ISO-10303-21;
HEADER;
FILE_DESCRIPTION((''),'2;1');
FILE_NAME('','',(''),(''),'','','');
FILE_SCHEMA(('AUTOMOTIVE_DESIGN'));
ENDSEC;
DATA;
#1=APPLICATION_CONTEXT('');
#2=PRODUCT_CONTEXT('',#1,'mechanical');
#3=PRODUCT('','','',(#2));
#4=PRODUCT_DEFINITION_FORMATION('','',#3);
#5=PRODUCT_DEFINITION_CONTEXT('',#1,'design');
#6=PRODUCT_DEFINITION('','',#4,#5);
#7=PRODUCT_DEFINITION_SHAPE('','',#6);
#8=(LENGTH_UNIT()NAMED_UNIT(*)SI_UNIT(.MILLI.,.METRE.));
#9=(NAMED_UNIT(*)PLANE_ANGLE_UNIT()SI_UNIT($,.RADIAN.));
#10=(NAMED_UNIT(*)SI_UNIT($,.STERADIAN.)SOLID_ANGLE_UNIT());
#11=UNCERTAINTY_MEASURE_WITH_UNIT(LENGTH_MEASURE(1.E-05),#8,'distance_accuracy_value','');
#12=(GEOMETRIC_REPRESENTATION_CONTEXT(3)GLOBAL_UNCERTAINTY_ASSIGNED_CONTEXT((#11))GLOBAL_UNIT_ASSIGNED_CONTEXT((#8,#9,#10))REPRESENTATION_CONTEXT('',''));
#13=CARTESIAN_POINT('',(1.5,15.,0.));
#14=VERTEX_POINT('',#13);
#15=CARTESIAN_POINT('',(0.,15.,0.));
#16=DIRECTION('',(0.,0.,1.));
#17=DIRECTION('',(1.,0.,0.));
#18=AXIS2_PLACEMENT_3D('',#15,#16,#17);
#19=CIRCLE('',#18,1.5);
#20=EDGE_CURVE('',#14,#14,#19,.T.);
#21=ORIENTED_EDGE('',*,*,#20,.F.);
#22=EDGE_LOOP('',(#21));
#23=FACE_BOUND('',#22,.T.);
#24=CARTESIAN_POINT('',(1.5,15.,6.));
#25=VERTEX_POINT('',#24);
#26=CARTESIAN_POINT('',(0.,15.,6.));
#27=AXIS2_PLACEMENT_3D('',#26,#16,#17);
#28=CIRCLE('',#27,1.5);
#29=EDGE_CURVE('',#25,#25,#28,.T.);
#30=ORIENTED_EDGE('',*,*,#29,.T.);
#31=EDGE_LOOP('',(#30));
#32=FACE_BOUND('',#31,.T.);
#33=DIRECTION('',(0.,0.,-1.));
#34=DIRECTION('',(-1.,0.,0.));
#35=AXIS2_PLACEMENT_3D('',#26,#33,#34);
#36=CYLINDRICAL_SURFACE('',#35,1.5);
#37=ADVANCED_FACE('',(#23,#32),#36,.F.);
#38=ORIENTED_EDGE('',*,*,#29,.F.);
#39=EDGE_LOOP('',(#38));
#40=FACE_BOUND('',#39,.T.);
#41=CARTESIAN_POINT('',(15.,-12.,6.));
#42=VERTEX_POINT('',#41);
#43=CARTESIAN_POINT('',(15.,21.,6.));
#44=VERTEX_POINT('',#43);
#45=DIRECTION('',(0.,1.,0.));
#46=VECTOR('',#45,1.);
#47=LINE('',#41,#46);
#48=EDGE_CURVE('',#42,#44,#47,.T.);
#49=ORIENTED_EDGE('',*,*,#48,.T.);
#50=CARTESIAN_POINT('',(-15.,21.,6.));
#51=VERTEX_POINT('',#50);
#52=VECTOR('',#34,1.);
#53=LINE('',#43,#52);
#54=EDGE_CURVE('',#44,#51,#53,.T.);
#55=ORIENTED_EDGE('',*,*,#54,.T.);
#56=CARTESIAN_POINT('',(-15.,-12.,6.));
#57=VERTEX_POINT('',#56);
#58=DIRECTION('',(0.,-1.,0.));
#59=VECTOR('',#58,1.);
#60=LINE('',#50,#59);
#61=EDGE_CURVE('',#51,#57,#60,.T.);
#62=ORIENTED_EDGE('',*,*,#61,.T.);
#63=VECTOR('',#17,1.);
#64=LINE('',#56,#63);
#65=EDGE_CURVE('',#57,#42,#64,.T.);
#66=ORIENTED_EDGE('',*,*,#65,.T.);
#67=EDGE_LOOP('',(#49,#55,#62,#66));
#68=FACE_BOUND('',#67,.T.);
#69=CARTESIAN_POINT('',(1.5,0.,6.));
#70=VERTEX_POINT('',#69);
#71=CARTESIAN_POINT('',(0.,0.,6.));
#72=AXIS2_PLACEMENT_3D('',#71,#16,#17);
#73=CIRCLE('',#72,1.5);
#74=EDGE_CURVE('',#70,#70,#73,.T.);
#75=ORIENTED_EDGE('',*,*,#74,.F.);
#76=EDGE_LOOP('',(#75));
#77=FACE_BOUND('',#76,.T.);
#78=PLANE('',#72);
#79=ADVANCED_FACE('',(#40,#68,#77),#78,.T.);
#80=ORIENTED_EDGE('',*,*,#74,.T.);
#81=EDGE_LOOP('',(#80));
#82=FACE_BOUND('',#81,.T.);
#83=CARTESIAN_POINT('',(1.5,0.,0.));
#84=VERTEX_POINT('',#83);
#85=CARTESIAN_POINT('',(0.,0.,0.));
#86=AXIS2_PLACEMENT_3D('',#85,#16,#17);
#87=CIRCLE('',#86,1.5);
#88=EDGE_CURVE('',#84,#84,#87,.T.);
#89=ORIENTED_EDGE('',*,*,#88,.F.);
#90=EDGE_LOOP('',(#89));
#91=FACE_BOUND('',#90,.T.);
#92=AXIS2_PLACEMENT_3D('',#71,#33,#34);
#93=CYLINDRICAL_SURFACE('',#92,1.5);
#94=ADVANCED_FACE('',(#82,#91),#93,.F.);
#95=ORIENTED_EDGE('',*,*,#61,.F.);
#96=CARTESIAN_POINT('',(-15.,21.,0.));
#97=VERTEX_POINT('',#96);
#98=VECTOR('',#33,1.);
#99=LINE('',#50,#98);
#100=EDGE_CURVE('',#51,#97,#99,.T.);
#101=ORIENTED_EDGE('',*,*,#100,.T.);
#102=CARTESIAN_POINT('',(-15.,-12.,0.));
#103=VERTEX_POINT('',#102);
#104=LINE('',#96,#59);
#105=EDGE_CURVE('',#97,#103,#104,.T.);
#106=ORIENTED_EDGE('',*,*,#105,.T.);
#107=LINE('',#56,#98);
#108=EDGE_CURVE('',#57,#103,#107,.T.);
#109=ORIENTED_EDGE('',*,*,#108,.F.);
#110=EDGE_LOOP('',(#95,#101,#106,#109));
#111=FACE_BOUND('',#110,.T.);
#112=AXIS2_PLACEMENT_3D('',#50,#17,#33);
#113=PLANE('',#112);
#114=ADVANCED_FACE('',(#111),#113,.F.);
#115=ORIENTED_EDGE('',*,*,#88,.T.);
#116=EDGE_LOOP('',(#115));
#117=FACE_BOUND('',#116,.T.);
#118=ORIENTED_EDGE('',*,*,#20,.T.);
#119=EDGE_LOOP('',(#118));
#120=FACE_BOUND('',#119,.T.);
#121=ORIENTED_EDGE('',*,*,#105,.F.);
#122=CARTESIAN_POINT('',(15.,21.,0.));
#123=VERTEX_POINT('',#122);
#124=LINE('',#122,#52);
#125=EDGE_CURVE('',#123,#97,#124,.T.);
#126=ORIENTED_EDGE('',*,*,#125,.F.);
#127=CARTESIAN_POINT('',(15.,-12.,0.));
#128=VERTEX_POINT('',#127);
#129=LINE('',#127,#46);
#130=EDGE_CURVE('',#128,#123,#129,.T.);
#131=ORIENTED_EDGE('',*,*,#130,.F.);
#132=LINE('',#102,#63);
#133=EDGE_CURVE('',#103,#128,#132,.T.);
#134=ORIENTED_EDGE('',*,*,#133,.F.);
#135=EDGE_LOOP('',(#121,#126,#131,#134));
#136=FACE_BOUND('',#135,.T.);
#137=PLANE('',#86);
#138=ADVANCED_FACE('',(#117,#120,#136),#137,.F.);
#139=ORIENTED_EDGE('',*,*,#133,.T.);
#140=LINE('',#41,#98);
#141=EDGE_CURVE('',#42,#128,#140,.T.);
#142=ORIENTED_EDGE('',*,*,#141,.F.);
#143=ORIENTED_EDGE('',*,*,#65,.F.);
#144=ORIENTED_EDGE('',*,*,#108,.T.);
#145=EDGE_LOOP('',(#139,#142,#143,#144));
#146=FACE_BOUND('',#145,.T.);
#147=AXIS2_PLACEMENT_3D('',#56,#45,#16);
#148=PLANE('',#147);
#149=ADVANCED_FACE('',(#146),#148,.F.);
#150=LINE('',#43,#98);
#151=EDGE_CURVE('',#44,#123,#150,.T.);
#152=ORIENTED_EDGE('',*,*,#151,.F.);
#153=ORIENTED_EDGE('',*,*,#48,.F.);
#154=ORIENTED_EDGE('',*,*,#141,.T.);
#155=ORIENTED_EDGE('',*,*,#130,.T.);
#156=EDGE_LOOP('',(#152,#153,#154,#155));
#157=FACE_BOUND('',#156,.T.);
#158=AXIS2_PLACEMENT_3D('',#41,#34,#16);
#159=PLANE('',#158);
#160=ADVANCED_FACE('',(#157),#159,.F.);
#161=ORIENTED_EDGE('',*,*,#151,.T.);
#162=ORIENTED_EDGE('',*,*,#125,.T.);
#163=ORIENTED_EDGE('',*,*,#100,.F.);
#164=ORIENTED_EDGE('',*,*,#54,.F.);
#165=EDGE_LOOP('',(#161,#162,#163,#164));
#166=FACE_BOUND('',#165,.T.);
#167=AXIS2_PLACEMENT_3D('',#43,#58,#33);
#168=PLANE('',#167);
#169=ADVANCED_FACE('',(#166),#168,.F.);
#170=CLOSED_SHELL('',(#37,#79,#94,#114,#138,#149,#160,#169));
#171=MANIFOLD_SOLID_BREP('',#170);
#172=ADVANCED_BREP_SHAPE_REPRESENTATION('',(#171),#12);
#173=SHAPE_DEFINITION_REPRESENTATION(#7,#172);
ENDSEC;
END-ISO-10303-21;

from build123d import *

# Parameters (mm, degrees)
SKETCH_1_W      = 30
SKETCH_1_H      = 33
SKETCH_1_R      = 1.5
EXTRUDE_1_DEPTH = 6


with BuildPart() as part:
    # Эскиз1 → Бобышка-Вытянуть1 (new body)
    with BuildSketch(Plane.XY):
        with Locations((0, 4.5)):
            Rectangle(SKETCH_1_W, SKETCH_1_H)
        Circle(SKETCH_1_R, mode=Mode.SUBTRACT)
        with Locations((0, 15)):
            Circle(SKETCH_1_R, mode=Mode.SUBTRACT)
    extrude(amount=EXTRUDE_1_DEPTH)


solid = part.part
